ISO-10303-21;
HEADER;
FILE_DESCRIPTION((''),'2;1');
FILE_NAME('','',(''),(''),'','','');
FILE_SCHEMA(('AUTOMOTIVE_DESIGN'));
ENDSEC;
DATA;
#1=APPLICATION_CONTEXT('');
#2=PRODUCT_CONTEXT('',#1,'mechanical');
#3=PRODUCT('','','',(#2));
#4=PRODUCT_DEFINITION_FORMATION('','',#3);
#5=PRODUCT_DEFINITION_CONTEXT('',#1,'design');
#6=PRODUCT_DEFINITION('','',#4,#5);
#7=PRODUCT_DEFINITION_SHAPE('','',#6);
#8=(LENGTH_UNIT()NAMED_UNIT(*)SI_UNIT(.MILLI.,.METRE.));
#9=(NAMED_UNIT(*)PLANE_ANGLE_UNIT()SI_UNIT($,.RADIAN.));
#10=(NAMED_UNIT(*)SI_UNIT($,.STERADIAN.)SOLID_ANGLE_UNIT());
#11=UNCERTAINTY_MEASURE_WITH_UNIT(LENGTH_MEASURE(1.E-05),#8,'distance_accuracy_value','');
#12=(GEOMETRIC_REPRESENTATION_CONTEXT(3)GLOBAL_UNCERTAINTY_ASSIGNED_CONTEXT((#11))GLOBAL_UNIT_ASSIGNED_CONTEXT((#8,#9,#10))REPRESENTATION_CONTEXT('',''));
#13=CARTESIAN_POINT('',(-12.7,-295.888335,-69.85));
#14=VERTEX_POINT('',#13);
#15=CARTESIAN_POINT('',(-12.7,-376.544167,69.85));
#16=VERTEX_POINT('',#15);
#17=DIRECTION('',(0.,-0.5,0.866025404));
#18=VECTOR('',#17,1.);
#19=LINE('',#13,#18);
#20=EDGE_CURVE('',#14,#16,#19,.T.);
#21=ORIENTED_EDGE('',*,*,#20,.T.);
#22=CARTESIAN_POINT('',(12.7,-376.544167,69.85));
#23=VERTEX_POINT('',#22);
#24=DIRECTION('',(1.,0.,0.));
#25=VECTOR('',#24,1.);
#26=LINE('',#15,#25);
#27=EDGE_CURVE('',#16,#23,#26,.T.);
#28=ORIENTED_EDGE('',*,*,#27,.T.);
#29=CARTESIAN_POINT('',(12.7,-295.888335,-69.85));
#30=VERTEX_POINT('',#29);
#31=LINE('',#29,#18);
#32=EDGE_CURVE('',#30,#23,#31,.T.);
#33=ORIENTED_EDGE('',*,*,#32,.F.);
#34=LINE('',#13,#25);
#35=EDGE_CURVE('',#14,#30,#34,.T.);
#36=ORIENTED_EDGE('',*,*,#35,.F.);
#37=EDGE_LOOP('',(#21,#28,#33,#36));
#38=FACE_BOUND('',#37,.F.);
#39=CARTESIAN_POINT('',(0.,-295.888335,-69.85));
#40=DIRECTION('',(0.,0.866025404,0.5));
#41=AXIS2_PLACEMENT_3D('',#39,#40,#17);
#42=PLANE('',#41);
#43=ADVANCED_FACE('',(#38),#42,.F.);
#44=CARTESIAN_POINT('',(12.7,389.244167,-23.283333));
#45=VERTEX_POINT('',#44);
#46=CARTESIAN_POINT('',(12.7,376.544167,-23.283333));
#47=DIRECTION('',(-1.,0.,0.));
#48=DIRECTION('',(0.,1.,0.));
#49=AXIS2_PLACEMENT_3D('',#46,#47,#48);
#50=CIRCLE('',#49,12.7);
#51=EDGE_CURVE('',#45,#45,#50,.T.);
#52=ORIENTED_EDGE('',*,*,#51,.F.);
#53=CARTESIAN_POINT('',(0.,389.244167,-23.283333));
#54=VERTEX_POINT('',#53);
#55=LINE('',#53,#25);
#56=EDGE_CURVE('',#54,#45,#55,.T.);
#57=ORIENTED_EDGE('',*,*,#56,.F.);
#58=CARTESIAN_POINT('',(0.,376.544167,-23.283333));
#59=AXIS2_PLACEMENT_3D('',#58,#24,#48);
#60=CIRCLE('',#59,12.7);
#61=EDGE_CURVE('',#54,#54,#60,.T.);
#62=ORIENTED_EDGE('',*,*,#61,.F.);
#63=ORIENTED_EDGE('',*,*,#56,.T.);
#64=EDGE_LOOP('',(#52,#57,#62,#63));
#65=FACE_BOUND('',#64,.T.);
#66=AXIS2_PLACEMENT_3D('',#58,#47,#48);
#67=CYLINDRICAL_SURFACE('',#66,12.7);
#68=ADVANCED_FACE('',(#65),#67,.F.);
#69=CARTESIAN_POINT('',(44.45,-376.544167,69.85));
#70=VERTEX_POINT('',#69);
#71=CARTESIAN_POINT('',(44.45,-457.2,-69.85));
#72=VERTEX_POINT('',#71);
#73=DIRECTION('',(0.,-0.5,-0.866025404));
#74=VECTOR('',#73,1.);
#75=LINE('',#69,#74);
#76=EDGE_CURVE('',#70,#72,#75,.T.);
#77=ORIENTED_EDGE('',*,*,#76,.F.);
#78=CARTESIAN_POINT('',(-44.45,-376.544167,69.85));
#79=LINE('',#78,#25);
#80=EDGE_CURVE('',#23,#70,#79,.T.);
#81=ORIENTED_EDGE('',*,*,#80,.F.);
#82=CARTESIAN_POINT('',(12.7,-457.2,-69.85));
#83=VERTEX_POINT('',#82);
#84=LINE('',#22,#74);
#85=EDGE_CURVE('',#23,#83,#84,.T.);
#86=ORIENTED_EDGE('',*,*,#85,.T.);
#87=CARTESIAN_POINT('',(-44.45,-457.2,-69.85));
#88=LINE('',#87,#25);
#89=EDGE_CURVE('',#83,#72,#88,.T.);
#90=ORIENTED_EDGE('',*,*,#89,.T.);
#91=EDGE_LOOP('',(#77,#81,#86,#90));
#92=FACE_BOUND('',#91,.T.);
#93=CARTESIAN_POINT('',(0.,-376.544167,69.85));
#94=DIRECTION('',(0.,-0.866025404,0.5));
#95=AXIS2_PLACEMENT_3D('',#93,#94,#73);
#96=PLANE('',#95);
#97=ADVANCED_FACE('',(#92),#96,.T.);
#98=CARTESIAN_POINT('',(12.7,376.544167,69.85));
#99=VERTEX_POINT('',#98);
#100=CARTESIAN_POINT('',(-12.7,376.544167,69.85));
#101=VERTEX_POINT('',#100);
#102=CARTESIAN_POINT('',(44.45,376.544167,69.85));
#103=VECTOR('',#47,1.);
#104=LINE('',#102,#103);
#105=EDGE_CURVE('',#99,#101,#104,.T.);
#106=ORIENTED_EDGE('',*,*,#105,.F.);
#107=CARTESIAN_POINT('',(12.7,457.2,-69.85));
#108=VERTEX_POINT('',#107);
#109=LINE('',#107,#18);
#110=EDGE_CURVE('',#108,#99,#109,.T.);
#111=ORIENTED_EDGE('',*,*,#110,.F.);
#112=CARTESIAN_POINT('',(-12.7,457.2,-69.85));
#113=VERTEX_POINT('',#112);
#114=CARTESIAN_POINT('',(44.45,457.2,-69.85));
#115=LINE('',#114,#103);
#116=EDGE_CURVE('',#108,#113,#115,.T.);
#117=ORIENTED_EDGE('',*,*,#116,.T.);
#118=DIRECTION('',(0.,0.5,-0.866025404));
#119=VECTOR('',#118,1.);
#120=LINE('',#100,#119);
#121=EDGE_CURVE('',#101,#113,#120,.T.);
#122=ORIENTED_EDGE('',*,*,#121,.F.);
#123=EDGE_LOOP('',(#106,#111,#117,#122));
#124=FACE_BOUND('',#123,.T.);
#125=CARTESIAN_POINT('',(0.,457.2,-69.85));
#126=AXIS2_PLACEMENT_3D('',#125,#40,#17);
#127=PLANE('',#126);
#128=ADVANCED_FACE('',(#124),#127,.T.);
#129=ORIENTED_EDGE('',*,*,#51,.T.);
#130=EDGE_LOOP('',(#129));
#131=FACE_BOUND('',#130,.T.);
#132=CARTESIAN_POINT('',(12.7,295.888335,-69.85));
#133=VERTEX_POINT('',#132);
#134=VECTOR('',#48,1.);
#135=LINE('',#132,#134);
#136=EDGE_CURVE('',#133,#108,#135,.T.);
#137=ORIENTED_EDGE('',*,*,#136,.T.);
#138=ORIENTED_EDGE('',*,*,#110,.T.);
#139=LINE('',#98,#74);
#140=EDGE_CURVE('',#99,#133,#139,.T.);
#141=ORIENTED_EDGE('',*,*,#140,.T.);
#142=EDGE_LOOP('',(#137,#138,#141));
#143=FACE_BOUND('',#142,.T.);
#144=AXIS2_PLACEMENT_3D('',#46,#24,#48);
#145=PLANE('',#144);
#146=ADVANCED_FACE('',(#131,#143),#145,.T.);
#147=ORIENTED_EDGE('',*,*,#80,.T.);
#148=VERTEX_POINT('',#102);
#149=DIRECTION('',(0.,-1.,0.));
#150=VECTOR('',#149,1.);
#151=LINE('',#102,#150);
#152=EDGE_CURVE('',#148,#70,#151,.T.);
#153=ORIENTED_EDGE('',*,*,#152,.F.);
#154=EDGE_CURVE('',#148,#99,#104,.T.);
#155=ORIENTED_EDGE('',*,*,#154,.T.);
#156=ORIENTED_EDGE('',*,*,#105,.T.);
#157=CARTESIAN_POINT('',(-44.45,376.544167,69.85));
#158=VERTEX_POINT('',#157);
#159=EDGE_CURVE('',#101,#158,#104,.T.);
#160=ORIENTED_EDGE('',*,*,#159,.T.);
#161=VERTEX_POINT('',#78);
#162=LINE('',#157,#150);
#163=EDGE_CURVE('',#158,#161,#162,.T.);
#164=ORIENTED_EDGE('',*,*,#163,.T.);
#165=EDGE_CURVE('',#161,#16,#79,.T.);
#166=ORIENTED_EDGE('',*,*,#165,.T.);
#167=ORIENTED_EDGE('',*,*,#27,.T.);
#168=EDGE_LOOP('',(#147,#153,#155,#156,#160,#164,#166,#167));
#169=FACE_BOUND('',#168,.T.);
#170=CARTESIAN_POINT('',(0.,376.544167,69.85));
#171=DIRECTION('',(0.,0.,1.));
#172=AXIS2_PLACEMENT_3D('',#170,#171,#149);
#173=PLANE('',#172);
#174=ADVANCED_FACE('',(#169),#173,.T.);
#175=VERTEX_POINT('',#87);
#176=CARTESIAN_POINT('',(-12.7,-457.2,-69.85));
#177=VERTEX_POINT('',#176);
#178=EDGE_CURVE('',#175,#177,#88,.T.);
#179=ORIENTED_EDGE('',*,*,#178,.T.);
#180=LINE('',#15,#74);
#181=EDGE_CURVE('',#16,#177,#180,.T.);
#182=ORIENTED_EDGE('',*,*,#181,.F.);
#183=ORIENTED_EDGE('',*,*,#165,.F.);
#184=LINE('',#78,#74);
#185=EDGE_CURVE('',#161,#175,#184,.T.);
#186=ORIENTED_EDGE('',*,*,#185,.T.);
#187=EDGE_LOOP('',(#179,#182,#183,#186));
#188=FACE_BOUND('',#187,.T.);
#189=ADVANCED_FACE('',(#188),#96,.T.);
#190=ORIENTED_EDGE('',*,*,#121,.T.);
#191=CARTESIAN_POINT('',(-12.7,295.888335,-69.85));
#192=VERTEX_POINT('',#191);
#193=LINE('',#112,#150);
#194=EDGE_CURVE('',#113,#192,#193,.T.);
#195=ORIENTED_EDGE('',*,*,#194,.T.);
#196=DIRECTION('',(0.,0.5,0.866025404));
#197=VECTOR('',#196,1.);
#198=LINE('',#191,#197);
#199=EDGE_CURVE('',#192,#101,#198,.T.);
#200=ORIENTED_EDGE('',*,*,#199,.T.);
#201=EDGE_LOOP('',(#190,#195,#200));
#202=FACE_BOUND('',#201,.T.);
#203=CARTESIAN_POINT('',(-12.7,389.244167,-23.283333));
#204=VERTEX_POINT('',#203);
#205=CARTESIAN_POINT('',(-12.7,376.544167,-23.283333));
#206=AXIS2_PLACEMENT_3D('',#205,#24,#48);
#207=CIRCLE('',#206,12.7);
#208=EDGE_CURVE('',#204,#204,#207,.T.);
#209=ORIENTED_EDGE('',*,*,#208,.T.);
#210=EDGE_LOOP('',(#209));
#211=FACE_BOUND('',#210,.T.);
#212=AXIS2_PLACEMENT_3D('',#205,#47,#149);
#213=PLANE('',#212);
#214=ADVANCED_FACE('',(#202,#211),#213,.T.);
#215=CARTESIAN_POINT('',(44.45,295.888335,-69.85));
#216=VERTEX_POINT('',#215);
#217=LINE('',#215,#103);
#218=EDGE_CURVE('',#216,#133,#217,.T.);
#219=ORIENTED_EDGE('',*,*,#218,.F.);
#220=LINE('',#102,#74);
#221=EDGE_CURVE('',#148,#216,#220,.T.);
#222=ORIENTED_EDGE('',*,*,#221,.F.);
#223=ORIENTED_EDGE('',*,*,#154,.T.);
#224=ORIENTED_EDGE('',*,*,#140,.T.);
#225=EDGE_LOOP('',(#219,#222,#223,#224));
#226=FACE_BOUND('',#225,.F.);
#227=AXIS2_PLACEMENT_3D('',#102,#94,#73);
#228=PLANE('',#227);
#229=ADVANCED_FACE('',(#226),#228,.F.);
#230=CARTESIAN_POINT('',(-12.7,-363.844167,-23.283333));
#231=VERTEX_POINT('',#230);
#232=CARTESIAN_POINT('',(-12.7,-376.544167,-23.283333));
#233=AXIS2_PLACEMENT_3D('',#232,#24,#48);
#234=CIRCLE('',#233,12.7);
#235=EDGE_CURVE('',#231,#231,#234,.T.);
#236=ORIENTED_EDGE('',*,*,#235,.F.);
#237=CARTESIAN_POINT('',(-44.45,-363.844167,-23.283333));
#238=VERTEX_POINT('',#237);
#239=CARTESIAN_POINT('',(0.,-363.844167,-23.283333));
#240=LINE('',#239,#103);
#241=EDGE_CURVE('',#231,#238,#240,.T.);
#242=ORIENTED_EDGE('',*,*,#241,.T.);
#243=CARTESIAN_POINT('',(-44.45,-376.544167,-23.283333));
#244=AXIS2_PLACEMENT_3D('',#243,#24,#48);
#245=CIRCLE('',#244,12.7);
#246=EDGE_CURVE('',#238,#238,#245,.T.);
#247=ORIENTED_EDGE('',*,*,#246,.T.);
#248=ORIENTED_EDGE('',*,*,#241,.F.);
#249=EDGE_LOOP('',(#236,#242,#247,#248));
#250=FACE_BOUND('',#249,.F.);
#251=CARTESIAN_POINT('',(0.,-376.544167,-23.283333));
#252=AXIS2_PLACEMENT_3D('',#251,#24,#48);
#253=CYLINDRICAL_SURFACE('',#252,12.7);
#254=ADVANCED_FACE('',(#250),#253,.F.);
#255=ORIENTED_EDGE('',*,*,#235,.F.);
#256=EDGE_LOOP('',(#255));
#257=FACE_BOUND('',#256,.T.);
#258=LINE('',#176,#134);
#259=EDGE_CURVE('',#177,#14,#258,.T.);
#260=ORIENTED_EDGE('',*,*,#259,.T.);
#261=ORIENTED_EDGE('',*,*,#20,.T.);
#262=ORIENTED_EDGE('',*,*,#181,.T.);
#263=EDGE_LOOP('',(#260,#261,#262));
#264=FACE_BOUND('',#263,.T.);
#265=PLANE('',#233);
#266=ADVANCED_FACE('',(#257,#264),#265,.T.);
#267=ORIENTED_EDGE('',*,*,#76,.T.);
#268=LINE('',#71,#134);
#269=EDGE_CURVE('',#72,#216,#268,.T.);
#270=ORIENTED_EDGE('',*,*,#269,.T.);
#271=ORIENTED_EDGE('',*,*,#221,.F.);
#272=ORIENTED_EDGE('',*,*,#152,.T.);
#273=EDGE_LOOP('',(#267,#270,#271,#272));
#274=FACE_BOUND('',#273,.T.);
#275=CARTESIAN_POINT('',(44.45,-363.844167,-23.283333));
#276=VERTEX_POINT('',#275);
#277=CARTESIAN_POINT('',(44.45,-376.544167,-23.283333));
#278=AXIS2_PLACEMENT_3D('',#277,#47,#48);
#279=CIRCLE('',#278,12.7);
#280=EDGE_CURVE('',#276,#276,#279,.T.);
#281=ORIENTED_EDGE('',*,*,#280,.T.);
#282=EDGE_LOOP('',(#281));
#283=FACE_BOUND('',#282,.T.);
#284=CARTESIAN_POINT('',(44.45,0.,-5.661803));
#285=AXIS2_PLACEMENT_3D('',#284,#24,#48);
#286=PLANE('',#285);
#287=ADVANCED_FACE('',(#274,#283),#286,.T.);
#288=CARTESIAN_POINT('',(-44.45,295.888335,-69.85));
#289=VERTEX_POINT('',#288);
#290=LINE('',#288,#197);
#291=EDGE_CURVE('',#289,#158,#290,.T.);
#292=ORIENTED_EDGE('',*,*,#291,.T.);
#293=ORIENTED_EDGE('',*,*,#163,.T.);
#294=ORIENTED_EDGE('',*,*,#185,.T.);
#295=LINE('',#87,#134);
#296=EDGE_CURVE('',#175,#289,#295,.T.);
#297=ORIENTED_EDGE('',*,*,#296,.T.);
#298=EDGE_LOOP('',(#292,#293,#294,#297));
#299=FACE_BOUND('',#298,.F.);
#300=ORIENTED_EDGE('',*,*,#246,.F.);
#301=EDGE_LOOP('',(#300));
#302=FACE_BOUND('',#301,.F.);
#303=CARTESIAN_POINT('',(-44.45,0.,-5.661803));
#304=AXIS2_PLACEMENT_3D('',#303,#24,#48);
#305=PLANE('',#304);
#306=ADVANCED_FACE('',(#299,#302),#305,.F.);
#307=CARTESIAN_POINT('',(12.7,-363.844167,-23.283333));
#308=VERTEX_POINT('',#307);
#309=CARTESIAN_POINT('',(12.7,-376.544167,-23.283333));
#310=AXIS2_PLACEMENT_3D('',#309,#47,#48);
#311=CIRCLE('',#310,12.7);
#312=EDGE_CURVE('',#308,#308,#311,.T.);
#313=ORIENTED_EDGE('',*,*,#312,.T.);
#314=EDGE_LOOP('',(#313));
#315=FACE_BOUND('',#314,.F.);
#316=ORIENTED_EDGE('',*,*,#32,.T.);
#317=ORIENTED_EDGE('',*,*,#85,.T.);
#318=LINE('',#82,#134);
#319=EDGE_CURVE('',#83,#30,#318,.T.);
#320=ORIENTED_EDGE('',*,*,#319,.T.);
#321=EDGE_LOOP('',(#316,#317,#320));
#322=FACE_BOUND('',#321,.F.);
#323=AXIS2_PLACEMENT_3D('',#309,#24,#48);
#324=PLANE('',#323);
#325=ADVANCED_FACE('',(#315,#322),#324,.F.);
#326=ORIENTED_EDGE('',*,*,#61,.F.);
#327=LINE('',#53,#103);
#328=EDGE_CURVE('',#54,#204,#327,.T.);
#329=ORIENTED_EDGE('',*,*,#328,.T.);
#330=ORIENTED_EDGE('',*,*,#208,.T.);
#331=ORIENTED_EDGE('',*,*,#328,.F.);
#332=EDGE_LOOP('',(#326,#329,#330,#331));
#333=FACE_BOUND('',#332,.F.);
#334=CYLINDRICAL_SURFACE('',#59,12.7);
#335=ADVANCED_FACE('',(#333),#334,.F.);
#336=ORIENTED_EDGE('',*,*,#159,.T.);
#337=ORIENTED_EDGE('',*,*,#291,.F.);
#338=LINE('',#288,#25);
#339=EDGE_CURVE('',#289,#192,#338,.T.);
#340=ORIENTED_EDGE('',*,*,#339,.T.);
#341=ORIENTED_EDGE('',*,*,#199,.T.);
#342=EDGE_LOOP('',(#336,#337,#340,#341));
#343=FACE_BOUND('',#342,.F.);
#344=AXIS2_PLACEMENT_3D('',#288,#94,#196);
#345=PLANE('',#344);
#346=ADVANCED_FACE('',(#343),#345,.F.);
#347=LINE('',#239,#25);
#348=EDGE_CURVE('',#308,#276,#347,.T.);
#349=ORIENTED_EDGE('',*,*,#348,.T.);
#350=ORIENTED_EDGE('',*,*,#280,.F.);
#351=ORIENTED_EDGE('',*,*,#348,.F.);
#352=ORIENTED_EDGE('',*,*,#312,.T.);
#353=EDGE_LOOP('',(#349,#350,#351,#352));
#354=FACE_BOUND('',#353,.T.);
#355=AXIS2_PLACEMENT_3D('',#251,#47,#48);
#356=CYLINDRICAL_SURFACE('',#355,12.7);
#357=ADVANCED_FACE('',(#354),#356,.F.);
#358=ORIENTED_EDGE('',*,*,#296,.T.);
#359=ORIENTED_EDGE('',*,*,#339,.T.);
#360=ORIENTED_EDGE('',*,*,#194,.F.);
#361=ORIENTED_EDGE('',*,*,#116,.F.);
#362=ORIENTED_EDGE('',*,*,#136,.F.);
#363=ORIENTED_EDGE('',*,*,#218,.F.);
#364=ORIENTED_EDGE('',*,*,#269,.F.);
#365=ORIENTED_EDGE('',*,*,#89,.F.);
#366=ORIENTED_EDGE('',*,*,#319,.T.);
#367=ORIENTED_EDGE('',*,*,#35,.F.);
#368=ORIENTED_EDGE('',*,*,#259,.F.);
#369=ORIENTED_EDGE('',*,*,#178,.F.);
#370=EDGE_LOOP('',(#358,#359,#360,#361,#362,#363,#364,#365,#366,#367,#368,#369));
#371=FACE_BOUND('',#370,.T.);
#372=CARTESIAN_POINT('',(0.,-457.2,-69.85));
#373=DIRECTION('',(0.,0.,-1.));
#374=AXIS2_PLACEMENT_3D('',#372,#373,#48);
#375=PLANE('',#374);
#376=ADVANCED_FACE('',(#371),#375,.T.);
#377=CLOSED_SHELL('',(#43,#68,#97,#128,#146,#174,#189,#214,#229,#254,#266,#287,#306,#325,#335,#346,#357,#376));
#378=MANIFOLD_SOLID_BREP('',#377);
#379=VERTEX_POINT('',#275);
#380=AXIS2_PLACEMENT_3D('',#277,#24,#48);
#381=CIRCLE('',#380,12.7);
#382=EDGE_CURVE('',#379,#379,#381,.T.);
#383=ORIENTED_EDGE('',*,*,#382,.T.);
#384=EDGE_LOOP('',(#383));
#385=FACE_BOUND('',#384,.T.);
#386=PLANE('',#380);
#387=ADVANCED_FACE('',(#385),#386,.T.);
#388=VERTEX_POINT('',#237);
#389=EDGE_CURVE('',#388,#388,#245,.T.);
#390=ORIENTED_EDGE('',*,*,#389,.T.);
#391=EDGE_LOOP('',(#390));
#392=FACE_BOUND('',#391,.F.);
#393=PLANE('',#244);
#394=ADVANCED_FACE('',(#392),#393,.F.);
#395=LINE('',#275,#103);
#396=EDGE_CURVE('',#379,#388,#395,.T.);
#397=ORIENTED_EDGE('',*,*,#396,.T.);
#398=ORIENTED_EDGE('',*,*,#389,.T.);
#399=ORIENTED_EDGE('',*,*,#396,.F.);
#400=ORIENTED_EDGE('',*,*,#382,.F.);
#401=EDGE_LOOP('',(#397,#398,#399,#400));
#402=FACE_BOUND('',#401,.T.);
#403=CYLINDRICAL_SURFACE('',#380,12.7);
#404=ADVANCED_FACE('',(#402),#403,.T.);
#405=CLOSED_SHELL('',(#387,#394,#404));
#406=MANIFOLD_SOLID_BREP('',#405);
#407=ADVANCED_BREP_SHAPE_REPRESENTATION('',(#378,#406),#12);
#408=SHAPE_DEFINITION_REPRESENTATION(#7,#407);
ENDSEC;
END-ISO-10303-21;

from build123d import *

# Parameters (mm, degrees)
F1_DEPTH      = 44.45
F1_DEPTH_BACK = 44.45
F3_DEPTH      = 12.7
F3_DEPTH_BACK = 12.7
F5_DEPTH      = 31.75
F7_DEPTH      = 31.75
F8_R          = 12.7
F9_DEPTH      = 44.451
F9_DEPTH_BACK = 44.451
F10_R         = 12.7
F11_DEPTH     = 88.9


with BuildPart() as f1:
    # F0 (on Right) → F1 (new body, two sides)
    with BuildSketch(Plane.YZ) as f1_sk:
        Polygon((376.5441673942, 69.85), (-376.5441673942, 69.85), (-457.2, -69.85), (457.2, -69.85), align=None)
    extrude(amount=F1_DEPTH)
    extrude(f1_sk.sketch, amount=-F1_DEPTH_BACK)

    # F2 (on Right) → F3 (cut, two sides)
    with BuildSketch(Plane.YZ) as f3_sk:
        Polygon((-295.8883347884, -69.85), (-376.5441673942, 69.85), (-457.2, -69.85), align=None)
    extrude(amount=-F3_DEPTH, mode=Mode.SUBTRACT)
    extrude(f3_sk.sketch, amount=F3_DEPTH_BACK, mode=Mode.SUBTRACT)

    # F4 (on face) → F5 (cut)
    with BuildSketch(Plane.YZ.offset(44.45)):
        Polygon((457.2, -69.85), (376.5441673942, 69.85), (295.8883347884, -69.85), align=None)
    extrude(amount=-F5_DEPTH, mode=Mode.SUBTRACT)

    # F6 (on face) → F7 (cut)
    with BuildSketch(Plane(origin=(-44.45, 0, 0), x_dir=(0, -1, 0), z_dir=(-1, 0, 0))):
        Polygon((-295.8883347884, -69.85), (-376.5441673942, 69.85), (-457.2, -69.85), align=None)
    extrude(amount=-F7_DEPTH, mode=Mode.SUBTRACT)

    # F8 (on Right) → F9 (cut, two sides)
    with BuildSketch(Plane.YZ) as f9_sk:
        with Locations((-376.5441673942, -23.2833333333)):
            Circle(F8_R)
        with Locations((376.5441673942, -23.2833333333)):
            Circle(F8_R)
    extrude(amount=-F9_DEPTH, mode=Mode.SUBTRACT)
    extrude(f9_sk.sketch, amount=F9_DEPTH_BACK, mode=Mode.SUBTRACT)


with BuildPart() as f11:
    # F10 (on face) → F11 (new body)
    with BuildSketch(Plane.YZ.offset(44.45)):
        with Locations((-376.5441673942, -23.2833333333)):
            Circle(F10_R)
    extrude(amount=-F11_DEPTH)


solid = Compound([f1.part, f11.part])
